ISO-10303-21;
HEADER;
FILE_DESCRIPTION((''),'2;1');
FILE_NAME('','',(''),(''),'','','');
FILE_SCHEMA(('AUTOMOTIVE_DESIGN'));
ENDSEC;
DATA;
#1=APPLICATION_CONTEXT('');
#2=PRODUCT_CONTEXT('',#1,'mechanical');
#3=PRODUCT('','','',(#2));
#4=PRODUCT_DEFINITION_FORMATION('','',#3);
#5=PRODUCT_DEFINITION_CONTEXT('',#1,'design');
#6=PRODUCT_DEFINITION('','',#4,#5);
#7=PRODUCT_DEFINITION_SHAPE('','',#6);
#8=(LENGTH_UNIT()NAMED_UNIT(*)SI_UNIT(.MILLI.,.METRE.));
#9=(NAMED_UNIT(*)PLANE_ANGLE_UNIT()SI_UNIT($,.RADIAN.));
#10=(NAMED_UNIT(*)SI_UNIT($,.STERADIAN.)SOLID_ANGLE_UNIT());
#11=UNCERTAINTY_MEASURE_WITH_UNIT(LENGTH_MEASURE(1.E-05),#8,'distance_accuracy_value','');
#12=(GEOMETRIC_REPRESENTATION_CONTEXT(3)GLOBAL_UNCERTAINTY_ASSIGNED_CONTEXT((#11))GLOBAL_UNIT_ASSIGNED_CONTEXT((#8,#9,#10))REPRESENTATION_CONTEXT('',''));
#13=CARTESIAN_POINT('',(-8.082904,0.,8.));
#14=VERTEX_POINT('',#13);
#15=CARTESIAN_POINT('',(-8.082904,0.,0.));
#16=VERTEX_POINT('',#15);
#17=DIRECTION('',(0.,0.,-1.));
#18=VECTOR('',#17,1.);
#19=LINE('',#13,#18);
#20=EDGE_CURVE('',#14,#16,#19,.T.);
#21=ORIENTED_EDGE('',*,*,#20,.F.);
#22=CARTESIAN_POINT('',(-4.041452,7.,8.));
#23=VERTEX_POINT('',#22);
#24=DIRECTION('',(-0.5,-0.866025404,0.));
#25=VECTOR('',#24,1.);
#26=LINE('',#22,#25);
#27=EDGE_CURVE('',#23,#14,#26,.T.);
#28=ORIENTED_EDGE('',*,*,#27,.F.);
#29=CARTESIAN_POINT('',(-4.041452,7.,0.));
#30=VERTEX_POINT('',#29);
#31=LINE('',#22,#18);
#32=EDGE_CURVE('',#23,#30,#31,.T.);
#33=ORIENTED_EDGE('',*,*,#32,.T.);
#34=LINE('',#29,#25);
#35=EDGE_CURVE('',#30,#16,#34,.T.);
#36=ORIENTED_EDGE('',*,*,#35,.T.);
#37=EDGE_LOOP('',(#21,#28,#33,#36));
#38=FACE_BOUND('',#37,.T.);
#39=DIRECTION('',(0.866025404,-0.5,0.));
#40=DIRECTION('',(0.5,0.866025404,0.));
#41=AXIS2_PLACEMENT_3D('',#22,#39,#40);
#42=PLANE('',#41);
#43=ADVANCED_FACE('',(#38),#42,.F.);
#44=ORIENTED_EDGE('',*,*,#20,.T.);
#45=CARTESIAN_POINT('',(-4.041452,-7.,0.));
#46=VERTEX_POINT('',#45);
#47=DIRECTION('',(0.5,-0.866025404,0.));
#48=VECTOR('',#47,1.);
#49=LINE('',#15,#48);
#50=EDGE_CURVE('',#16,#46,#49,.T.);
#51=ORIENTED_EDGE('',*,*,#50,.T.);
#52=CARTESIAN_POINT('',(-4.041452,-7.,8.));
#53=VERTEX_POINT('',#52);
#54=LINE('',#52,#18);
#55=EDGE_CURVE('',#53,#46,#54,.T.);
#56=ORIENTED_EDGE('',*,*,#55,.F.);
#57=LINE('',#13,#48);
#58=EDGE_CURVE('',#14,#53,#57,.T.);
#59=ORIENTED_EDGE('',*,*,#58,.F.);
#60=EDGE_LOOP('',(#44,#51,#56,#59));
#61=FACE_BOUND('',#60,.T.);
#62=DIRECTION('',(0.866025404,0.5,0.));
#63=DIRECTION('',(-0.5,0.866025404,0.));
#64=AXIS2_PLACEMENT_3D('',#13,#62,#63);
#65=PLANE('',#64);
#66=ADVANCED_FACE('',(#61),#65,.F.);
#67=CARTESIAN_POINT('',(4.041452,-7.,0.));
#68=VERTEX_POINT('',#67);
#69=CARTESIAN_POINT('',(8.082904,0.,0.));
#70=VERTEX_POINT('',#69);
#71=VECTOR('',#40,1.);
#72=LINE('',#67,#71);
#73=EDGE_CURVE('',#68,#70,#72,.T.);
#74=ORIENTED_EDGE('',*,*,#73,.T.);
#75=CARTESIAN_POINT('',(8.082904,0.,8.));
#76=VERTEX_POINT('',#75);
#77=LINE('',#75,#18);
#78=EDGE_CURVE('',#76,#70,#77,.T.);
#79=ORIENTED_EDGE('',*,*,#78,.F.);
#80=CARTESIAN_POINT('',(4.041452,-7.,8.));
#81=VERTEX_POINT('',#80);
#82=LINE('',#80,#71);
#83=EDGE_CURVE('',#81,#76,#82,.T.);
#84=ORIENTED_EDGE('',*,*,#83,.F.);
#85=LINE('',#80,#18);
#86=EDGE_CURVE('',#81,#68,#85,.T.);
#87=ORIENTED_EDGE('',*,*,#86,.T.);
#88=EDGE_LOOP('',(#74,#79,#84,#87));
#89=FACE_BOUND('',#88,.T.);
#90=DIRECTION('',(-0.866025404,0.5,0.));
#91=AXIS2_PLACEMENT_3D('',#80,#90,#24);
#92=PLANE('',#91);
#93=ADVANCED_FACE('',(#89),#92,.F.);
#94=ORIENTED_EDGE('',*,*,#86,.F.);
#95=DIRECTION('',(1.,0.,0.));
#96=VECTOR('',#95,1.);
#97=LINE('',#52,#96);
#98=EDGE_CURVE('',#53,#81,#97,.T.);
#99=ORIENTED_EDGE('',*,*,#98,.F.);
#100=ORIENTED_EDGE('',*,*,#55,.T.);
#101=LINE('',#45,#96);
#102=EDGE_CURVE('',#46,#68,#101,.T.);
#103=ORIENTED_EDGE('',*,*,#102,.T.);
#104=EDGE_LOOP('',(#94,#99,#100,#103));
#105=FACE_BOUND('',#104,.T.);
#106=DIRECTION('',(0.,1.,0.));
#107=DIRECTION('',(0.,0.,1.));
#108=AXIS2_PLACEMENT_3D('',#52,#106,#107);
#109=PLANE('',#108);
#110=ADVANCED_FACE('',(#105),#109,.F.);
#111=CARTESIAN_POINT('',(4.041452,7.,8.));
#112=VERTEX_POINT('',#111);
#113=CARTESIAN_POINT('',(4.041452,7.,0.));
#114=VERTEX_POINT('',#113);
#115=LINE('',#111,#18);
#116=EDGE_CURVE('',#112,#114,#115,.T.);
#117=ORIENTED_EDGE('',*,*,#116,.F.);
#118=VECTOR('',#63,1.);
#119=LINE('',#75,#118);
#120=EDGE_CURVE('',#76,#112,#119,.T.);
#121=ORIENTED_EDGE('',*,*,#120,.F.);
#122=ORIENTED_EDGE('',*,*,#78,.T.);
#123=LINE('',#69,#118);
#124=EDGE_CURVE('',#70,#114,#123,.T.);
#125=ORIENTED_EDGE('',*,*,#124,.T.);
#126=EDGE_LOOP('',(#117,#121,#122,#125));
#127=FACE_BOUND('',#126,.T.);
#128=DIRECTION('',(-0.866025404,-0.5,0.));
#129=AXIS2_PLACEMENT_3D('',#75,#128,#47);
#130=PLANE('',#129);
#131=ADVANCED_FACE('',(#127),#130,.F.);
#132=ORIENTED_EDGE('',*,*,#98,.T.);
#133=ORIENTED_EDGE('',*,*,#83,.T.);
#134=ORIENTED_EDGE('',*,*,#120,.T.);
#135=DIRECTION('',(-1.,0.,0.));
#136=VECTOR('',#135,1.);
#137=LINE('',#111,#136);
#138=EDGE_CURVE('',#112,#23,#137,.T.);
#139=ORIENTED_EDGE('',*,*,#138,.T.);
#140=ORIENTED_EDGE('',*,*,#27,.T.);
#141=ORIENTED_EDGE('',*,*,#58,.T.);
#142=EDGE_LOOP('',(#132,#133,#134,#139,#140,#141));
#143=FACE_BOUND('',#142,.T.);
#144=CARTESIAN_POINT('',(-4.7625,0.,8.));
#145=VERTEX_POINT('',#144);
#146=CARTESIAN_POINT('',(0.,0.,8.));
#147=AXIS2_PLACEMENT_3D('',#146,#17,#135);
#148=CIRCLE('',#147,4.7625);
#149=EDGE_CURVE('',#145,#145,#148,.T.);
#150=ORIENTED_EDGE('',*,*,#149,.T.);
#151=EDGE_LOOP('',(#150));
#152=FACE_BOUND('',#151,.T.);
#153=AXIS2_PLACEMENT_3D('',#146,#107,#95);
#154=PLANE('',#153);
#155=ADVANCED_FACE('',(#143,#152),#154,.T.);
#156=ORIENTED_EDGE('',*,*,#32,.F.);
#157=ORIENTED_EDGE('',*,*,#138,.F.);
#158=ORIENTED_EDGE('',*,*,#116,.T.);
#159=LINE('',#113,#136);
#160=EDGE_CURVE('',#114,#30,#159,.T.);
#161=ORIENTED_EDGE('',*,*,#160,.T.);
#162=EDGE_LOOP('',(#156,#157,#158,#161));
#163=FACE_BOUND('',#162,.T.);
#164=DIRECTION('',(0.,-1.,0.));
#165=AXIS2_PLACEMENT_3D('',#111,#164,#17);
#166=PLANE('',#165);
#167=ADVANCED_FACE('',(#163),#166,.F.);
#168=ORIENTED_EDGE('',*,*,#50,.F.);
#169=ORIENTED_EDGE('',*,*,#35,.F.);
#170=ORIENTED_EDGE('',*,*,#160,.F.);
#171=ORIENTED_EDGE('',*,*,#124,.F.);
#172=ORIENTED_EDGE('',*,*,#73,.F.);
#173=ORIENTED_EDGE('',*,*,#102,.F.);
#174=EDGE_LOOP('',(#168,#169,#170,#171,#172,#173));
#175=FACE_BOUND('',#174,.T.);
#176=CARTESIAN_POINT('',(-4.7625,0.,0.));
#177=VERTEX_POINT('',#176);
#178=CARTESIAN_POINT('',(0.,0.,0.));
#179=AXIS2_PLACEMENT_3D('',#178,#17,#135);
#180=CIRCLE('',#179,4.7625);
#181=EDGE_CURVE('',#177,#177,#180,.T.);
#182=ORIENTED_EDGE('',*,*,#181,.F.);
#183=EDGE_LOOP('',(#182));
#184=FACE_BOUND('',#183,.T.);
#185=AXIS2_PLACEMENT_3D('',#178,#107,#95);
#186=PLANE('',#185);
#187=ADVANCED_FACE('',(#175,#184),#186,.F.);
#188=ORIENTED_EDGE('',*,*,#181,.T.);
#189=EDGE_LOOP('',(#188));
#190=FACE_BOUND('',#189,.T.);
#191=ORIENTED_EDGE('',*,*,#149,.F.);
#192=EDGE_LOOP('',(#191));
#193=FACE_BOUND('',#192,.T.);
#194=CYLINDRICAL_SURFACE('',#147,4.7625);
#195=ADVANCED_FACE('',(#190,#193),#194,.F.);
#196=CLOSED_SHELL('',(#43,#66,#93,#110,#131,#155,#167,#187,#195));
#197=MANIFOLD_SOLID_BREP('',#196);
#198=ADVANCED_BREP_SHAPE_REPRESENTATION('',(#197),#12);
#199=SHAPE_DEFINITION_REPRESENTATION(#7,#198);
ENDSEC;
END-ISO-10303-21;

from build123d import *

# Parameters (mm, degrees)
BOSS_EXTRUDE1_DEPTH = 8
SKETCH2_R           = 4.7625
CUT_EXTRUDE1_DEPTH  = 8


with BuildPart() as part:
    # Sketch1 → Boss-Extrude1 (new body)
    with BuildSketch(Plane.XY):
        Polygon((8.082903769, 0), (4.041451884, 7), (-4.041451884, 7), (-8.082903769, 0), (-4.041451884, -7), (4.041451884, -7), align=None)
    extrude(amount=BOSS_EXTRUDE1_DEPTH)

    # Sketch2 → Cut-Extrude1 (cut)
    with BuildSketch(Plane(origin=(0, 0, 0), x_dir=(-1, 0, 0), z_dir=(0, 0, -1))):
        Circle(SKETCH2_R)
    extrude(amount=-CUT_EXTRUDE1_DEPTH, mode=Mode.SUBTRACT)


solid = part.part
